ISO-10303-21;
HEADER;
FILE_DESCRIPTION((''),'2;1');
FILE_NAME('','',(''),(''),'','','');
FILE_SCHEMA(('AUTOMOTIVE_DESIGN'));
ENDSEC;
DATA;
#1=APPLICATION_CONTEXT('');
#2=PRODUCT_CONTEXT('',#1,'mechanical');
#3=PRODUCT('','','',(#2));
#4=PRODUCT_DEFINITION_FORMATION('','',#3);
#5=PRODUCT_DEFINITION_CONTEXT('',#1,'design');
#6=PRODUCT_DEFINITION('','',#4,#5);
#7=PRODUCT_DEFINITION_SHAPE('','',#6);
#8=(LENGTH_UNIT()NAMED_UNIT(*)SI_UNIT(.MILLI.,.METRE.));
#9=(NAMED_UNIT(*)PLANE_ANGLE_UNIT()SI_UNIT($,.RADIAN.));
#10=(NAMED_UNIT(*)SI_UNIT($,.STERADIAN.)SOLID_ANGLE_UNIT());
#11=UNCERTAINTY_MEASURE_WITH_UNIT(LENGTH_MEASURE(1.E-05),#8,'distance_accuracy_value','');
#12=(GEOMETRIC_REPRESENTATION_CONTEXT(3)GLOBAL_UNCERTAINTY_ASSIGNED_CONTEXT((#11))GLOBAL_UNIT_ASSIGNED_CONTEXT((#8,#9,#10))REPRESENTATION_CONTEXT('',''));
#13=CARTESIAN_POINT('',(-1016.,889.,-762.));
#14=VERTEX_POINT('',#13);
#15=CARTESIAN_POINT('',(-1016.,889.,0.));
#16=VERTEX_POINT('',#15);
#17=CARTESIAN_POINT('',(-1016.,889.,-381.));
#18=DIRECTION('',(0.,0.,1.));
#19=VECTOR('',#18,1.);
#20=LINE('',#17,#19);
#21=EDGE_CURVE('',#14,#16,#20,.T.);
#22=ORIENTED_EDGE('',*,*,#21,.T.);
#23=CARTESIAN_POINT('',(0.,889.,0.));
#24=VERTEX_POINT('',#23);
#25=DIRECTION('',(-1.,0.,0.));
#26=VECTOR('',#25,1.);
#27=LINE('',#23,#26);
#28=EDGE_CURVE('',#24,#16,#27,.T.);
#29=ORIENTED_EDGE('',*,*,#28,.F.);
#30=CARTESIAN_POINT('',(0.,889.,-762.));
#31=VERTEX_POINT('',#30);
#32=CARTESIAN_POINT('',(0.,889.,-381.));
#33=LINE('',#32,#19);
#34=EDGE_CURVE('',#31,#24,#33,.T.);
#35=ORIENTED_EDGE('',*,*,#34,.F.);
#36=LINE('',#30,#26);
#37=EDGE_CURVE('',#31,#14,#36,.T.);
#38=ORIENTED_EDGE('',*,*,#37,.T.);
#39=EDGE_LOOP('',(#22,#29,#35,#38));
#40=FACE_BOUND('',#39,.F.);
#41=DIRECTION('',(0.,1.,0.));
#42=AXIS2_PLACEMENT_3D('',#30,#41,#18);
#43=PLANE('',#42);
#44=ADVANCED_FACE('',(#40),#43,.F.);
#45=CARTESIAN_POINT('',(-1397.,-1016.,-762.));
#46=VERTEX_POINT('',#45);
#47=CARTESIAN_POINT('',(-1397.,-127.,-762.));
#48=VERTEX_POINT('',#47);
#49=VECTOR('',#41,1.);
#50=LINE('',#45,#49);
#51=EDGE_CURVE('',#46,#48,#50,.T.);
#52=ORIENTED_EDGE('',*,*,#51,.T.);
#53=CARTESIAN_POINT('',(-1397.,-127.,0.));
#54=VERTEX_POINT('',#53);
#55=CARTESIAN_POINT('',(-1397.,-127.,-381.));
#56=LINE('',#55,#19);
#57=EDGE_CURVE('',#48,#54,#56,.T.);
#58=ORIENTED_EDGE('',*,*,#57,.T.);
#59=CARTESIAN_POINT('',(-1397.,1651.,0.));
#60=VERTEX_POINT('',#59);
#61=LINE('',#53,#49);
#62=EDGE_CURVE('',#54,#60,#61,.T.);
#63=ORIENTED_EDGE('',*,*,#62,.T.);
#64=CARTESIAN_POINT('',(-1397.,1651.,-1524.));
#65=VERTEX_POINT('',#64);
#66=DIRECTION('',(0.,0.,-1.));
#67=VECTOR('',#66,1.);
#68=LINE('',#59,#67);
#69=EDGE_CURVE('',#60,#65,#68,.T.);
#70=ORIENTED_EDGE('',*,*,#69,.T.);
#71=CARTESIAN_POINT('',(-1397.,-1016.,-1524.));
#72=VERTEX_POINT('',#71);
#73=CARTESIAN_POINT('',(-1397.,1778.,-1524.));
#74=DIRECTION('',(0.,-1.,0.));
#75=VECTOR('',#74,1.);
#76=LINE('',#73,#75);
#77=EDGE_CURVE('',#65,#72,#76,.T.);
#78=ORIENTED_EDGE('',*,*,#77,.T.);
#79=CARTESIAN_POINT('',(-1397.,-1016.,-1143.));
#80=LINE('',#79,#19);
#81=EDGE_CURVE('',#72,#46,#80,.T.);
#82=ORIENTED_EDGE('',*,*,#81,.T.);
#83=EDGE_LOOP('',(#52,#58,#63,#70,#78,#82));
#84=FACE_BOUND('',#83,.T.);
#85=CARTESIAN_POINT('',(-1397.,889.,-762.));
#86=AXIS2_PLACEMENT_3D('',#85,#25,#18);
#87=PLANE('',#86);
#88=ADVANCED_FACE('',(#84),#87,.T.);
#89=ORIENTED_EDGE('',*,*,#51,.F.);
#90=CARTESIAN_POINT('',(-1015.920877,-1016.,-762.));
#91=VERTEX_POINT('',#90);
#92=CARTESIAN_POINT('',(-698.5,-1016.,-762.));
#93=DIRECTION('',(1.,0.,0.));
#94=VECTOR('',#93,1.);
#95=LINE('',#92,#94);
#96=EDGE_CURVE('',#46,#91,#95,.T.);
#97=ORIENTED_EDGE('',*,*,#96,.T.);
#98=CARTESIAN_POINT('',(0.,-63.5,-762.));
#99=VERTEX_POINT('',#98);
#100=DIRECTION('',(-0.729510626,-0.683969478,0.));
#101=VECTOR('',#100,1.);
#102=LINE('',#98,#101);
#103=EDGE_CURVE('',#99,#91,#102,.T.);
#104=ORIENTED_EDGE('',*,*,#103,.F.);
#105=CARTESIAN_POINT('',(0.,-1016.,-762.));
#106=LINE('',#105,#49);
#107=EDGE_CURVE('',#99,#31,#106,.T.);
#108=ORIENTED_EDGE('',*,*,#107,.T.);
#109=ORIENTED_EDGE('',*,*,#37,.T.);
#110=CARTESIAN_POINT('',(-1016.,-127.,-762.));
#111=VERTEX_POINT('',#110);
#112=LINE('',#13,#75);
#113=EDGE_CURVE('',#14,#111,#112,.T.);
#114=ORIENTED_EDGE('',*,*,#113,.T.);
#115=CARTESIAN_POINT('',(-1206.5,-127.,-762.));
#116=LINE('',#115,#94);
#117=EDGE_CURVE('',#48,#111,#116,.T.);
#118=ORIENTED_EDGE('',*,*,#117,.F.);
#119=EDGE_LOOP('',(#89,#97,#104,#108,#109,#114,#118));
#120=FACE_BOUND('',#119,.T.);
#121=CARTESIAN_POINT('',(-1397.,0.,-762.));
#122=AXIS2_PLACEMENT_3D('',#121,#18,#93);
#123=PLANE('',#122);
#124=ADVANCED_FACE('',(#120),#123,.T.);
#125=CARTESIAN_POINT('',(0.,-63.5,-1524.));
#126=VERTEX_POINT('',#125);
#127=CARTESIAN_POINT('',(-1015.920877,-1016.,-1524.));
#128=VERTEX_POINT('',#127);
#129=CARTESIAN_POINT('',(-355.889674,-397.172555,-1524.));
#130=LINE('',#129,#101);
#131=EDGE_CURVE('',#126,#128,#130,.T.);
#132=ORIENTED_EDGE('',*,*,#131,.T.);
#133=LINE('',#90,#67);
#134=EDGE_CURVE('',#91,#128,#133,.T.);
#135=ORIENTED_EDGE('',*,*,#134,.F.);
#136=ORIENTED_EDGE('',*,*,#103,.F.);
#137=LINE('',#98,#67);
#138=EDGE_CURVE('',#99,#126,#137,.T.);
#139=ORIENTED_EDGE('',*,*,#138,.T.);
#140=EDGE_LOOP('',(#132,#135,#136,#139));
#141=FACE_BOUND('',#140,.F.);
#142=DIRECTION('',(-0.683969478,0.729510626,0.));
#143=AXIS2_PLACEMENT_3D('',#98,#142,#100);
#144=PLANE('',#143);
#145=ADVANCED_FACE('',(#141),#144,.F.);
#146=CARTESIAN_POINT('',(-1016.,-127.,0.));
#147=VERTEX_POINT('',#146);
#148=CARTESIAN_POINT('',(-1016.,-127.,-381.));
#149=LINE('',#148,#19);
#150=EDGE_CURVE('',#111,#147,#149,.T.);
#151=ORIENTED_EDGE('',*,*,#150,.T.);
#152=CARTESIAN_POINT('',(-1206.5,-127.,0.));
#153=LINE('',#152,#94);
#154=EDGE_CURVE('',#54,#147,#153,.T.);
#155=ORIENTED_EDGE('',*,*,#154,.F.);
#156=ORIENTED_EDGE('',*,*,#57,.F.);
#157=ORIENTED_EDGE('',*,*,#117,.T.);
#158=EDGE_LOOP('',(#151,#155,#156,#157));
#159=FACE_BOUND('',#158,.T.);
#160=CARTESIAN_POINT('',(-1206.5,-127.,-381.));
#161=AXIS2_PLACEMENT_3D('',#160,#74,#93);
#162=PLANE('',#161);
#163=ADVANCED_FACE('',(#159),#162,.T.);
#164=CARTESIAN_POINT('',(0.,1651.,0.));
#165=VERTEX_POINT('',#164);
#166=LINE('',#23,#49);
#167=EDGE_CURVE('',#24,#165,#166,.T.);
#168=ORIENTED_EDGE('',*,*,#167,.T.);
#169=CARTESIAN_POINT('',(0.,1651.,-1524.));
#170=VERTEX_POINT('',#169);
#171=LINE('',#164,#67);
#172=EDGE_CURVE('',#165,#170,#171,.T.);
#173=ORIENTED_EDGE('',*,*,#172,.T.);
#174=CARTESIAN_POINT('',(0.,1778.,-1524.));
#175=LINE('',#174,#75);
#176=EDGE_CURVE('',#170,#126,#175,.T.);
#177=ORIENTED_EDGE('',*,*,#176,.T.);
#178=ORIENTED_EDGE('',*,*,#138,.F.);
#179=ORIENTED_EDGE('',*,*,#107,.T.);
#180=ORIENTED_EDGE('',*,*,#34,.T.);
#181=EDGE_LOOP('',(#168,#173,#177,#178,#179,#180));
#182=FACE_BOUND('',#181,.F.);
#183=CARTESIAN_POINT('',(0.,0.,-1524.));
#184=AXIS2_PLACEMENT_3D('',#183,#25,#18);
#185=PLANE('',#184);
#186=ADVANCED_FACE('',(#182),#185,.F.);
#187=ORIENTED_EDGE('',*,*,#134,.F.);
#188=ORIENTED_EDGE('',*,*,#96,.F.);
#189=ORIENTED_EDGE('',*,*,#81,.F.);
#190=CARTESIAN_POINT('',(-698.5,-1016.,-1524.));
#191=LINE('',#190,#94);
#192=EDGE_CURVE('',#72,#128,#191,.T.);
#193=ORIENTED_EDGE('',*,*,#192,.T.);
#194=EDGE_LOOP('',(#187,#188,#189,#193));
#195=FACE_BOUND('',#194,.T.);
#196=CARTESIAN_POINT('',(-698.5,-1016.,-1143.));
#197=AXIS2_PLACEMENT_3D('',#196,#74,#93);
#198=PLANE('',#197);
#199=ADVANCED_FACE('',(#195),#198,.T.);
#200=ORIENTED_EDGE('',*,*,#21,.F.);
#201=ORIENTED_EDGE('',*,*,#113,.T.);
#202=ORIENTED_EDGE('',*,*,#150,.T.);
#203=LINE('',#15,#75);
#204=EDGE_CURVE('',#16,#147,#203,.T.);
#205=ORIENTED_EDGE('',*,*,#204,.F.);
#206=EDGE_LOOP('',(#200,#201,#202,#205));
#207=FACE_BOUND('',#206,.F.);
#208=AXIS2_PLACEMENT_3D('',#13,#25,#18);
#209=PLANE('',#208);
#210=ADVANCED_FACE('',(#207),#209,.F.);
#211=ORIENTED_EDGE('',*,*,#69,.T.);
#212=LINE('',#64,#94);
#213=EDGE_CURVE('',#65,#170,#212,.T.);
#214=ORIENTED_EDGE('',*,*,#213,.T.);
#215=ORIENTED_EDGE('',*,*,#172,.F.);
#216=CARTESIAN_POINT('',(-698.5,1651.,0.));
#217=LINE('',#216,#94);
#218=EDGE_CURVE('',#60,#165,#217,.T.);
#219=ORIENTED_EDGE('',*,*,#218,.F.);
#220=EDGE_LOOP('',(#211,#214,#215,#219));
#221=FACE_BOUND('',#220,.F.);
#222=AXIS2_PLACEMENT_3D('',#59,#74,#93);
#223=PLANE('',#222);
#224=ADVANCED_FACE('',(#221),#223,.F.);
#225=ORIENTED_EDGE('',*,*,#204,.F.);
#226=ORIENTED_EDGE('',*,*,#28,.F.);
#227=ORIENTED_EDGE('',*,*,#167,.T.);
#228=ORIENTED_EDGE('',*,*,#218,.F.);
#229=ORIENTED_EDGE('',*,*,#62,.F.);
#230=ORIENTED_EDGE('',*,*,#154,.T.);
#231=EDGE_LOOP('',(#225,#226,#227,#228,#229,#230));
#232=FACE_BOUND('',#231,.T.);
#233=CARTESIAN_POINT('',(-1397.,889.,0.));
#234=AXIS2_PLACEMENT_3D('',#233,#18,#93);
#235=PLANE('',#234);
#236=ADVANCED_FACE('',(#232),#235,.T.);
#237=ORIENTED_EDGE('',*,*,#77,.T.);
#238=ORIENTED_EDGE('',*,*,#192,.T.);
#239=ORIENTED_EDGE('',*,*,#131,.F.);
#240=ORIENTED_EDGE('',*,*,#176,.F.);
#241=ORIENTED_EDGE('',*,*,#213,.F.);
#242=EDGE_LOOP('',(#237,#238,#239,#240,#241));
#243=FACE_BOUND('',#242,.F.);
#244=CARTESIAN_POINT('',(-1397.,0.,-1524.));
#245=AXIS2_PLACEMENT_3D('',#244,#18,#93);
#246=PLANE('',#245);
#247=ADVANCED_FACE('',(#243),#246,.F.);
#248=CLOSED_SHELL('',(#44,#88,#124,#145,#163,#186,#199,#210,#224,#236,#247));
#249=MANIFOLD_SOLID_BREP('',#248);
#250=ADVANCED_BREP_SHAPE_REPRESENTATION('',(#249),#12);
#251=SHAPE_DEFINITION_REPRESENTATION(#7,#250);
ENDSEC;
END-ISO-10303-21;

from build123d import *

# Parameters (mm, degrees)
F0_W      = 1778
F0_H      = 1524
F2_DEPTH  = 1397
F1_W      = 889
F1_H      = 762
F3_DEPTH  = 1755.14
F4_W      = 1397
F4_H      = 762
F5_DEPTH  = 1016
F7_DEPTH  = 1226.82
F8_W      = 381
F8_H      = 762
F9_DEPTH  = 1016
F10_W     = 1397
F10_H     = 127
F11_DEPTH = 254000


with BuildPart() as f2:
    # F0 (on Right) → F2 (new body)
    with BuildSketch(Plane.YZ):
        with Locations((889, -762)):
            Rectangle(F0_W, F0_H)
    extrude(amount=-F2_DEPTH)

    # F1 (on face) → F3 (cut)
    with BuildSketch(Plane.YZ):
        with Locations((444.5, -381)):
            Rectangle(F1_W, F1_H)
    extrude(amount=-F3_DEPTH, mode=Mode.SUBTRACT)

    # F4 (on face) → F5 (join)
    with BuildSketch(Plane.XZ):
        with Locations((-698.5, -1143)):
            Rectangle(F4_W, F4_H)
    extrude(amount=F5_DEPTH)

    # F6 (on face) → F7 (cut)
    with BuildSketch(Plane.XY.offset(-762)):
        Polygon((0, -1016), (0, -63.5), (-1015.920877, -1016), align=None)
    extrude(amount=-F7_DEPTH, mode=Mode.SUBTRACT)

    # F8 (on face) → F9 (join)
    with BuildSketch(Plane.XZ.offset(-889)):
        with Locations((-1206.5, -381)):
            Rectangle(F8_W, F8_H)
    extrude(amount=F9_DEPTH)

    # F10 (on face) → F11 (cut)
    with BuildSketch(Plane.XY):
        with Locations((-698.5, 1714.5)):
            Rectangle(F10_W, F10_H)
    extrude(amount=-F11_DEPTH, mode=Mode.SUBTRACT)


solid = f2.part
